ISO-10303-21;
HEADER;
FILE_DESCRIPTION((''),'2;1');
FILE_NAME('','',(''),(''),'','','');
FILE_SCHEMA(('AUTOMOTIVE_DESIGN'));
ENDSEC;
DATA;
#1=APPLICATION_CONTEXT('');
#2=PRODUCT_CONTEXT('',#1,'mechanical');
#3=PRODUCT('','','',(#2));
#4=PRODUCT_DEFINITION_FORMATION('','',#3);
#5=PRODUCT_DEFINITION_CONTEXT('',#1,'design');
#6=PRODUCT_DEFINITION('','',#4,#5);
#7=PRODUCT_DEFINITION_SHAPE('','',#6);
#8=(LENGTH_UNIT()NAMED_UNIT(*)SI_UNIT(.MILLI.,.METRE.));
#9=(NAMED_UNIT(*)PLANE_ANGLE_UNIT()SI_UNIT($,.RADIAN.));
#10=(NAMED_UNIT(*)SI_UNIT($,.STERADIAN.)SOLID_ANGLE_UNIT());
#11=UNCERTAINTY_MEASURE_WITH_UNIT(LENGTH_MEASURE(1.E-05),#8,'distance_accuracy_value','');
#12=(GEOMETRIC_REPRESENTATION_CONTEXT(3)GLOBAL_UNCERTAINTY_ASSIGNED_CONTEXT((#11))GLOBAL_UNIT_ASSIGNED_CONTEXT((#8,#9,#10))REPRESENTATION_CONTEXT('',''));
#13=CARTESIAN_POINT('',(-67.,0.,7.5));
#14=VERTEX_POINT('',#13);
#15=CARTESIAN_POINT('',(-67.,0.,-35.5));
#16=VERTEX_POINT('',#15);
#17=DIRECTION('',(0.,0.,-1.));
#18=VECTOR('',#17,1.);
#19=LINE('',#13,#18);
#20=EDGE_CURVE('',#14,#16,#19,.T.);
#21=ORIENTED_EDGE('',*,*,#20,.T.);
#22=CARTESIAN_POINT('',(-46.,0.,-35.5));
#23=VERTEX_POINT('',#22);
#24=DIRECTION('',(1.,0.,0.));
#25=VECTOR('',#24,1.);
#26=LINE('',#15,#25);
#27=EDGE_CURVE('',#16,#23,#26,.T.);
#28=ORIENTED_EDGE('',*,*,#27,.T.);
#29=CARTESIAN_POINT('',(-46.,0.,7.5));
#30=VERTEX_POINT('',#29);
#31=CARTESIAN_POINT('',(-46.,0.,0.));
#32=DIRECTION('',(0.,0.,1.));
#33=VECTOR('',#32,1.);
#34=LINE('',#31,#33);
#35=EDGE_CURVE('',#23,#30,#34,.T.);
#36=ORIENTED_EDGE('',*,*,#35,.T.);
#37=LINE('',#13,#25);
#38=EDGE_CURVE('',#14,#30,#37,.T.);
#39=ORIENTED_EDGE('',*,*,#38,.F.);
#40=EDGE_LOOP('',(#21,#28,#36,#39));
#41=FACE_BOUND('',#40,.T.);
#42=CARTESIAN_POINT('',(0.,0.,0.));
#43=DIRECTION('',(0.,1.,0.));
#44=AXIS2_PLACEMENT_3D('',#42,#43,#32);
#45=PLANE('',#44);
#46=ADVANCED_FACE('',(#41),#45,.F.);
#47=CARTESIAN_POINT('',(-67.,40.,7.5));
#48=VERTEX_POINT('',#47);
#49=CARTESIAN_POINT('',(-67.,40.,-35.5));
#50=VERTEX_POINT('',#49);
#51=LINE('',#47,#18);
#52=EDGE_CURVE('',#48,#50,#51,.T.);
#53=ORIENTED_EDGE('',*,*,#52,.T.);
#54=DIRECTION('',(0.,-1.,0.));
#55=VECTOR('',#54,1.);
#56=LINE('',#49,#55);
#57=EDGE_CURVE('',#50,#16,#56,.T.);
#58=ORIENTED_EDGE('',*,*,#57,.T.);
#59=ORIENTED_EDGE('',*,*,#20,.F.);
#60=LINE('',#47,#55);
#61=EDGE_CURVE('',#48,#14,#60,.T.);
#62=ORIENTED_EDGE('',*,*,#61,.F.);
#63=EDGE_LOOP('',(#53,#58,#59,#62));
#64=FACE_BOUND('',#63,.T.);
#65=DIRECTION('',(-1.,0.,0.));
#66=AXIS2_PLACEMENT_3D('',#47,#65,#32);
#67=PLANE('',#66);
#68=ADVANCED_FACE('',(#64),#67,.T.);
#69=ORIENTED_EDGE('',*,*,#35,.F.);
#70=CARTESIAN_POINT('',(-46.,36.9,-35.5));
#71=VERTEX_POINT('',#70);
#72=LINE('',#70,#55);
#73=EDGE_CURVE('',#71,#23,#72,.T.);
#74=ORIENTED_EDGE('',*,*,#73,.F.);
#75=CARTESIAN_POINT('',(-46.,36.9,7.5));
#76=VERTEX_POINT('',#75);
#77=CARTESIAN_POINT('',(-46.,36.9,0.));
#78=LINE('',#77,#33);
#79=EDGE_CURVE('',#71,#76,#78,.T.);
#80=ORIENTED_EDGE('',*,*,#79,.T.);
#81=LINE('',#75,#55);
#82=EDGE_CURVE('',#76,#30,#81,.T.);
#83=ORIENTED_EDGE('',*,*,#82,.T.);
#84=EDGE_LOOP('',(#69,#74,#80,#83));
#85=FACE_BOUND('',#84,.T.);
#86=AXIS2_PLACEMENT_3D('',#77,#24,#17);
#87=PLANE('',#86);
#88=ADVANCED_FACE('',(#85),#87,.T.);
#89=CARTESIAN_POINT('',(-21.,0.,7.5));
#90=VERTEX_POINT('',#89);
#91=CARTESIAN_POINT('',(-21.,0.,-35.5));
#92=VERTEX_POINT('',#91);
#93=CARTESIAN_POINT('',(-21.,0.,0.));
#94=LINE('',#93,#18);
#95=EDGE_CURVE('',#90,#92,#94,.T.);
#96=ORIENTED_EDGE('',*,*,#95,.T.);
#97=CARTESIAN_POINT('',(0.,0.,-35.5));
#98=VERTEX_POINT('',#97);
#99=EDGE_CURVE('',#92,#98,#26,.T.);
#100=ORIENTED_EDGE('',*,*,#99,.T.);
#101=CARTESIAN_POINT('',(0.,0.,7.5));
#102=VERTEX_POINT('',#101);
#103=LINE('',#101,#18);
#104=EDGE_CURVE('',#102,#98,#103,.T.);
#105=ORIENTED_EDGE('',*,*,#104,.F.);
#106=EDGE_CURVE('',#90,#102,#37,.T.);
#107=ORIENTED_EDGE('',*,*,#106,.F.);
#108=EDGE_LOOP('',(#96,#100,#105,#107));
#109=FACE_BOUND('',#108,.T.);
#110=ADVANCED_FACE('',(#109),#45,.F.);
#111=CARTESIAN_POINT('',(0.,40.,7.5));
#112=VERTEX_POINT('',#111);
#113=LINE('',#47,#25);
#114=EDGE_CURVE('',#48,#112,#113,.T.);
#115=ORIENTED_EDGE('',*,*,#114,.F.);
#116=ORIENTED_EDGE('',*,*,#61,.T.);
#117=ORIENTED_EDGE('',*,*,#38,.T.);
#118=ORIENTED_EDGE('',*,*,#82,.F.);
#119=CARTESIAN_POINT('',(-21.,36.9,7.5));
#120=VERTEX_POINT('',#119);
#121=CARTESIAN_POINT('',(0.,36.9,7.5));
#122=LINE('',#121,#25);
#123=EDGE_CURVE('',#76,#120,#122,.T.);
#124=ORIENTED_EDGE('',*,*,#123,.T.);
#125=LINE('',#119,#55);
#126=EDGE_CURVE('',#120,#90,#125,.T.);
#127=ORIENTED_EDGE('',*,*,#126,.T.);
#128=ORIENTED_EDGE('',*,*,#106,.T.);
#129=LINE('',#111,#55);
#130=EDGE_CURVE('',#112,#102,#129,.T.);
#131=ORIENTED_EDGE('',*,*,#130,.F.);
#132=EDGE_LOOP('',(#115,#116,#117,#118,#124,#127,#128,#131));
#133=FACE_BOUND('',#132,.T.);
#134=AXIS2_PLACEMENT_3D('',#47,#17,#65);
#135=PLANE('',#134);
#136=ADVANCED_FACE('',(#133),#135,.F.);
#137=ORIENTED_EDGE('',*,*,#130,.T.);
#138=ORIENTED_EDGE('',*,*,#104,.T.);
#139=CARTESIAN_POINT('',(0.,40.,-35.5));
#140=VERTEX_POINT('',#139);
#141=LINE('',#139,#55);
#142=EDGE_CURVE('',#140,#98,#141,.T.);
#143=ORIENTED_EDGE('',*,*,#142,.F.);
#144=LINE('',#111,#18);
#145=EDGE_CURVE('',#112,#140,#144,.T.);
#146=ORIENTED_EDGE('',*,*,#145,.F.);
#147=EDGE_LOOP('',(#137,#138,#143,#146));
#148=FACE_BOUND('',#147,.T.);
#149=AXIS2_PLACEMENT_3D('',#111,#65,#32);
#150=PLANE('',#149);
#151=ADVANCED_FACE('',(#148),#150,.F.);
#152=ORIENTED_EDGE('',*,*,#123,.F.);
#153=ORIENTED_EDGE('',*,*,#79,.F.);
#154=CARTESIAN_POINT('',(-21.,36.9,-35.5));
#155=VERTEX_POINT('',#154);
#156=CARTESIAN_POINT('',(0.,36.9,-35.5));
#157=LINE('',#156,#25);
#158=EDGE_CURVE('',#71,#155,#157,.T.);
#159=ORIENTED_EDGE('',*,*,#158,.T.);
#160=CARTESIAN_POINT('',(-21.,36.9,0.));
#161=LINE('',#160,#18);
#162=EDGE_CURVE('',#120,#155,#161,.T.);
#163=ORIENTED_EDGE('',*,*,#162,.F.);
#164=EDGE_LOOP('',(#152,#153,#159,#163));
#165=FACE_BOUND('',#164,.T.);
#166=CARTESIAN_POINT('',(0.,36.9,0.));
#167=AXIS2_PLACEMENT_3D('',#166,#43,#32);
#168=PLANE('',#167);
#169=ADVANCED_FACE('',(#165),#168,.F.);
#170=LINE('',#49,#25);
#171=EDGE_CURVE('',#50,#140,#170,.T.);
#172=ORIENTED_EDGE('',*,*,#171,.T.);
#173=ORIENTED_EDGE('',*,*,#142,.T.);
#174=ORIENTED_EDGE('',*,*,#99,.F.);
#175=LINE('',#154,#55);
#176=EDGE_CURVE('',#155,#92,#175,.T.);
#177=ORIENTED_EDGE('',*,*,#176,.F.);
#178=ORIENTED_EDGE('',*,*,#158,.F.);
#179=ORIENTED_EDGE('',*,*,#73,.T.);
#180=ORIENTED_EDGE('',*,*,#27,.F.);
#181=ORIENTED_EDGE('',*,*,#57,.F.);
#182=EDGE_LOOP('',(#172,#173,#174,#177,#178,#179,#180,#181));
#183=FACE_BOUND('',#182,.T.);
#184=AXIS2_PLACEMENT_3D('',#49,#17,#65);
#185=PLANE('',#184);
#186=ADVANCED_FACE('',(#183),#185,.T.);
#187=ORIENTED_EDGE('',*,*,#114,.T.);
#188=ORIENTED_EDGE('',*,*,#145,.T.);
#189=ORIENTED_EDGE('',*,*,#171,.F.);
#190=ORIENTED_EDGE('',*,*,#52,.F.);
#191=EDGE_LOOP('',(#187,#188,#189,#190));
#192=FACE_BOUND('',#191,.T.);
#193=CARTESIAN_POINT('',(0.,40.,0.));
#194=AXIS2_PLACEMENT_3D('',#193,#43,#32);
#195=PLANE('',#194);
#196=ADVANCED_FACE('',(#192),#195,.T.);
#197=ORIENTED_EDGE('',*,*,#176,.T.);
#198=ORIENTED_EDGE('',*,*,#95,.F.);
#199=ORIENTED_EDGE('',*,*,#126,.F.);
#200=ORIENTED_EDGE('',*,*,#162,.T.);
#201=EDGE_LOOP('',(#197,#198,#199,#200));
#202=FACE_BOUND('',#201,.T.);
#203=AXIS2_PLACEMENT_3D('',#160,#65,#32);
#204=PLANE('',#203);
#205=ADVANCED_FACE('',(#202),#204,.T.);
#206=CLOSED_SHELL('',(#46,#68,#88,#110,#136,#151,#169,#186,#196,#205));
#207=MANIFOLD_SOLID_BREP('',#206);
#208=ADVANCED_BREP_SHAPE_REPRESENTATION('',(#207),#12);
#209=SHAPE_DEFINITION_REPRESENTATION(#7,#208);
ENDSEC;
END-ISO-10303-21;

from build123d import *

# Parameters (mm, degrees)
SKETCH1_W           = 67
SKETCH1_H           = 43
BOSS_EXTRUDE1_DEPTH = 40
SKETCH1_3_W         = 25
SKETCH1_3_H         = 43
CUT_EXTRUDE1_DEPTH  = 36.9


with BuildPart() as part:
    # Sketch1 → Boss-Extrude1 (new body)
    with BuildSketch(Plane(origin=(0, 0, 0), x_dir=(-1, 0, 0), z_dir=(0, 1, 0))):
        with Locations((33.5, -14)):
            Rectangle(SKETCH1_W, SKETCH1_H)
    extrude(amount=BOSS_EXTRUDE1_DEPTH)

    # Sketch1<3> → Cut-Extrude1 (cut)
    with BuildSketch(Plane(origin=(0, 0, 0), x_dir=(-1, 0, 0), z_dir=(0, 1, 0))):
        with Locations((33.5, -14)):
            Rectangle(SKETCH1_3_W, SKETCH1_3_H)
    extrude(amount=CUT_EXTRUDE1_DEPTH, mode=Mode.SUBTRACT)


solid = part.part
